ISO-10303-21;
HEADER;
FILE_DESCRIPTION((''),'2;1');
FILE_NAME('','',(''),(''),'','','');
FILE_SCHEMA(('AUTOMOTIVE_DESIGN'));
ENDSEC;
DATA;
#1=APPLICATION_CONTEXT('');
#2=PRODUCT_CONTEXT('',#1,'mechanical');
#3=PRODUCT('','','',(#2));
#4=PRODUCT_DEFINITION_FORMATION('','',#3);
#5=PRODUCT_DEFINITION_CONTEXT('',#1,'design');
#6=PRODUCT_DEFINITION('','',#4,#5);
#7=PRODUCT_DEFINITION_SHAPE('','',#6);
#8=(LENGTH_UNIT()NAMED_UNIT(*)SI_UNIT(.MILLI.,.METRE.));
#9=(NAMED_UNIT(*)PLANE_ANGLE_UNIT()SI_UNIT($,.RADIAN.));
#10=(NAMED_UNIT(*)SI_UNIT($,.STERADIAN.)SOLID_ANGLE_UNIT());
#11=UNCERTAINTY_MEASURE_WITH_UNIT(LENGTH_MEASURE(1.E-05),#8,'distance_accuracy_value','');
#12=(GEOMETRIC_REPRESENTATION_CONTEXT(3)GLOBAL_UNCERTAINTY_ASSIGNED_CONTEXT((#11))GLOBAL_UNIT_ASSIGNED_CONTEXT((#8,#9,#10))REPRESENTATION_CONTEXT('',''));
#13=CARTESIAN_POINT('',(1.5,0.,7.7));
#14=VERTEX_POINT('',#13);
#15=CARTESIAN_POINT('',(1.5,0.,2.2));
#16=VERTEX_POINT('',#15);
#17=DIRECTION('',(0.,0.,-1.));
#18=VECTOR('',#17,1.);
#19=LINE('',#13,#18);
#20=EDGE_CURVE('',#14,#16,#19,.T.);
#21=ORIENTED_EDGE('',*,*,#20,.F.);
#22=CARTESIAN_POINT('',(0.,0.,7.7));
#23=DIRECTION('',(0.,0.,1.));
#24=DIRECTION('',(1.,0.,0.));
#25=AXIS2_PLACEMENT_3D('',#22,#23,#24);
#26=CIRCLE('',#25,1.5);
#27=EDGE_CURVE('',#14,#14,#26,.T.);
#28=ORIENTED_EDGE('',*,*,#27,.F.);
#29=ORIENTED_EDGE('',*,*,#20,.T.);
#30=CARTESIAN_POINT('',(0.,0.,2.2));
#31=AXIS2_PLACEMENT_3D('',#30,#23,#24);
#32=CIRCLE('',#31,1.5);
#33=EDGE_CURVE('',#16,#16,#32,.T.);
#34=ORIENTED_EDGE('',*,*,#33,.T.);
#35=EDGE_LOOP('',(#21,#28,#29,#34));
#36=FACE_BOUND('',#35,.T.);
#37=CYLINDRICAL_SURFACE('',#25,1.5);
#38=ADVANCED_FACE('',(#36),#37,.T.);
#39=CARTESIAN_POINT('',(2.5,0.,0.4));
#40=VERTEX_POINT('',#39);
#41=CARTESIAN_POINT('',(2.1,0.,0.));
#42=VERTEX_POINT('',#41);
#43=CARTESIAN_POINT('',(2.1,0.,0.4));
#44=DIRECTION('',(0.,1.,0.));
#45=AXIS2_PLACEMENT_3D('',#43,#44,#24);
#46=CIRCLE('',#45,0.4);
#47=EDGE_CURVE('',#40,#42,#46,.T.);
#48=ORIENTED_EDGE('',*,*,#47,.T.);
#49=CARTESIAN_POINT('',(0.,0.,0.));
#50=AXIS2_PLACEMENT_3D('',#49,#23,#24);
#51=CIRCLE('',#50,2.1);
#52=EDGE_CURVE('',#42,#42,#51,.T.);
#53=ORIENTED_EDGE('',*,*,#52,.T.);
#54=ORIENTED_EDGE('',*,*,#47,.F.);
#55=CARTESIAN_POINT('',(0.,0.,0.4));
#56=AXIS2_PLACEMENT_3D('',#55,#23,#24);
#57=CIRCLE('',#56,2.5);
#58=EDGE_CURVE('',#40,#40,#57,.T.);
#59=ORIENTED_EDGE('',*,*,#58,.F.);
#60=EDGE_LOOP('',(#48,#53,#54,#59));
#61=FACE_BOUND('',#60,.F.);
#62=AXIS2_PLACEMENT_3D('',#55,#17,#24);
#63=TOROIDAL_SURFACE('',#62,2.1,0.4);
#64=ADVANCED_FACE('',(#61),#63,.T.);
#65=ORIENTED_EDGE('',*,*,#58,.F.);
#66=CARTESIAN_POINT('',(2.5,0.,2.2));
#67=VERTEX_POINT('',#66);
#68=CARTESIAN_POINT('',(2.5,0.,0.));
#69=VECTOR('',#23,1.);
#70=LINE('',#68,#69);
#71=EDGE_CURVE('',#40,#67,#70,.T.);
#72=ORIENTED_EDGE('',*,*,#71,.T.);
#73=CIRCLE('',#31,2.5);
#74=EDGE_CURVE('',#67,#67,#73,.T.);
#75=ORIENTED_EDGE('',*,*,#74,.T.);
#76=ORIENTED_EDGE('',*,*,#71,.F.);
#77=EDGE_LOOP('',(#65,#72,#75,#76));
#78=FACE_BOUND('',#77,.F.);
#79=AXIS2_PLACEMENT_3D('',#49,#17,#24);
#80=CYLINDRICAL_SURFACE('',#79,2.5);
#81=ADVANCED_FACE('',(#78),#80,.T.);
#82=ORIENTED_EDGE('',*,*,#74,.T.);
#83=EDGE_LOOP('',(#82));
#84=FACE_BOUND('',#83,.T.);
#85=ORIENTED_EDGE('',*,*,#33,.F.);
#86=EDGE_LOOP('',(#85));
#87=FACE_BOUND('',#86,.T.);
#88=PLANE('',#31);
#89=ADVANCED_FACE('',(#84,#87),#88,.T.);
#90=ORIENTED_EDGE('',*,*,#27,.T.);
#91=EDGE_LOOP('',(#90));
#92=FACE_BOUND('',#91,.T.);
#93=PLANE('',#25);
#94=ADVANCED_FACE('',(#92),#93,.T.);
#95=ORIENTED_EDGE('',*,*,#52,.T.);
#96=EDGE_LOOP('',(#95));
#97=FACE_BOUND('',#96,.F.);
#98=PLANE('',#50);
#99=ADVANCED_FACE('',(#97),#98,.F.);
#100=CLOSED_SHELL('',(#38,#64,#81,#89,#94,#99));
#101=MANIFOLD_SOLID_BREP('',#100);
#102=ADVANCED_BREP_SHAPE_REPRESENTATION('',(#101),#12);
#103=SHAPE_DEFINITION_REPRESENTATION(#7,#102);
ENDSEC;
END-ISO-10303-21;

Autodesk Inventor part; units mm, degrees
ref_plane "YZ Plane" through (0, 0, 0) normal (1, 0, 0) x (0, 1, 0)
ref_plane "XZ Plane" through (0, 0, 0) normal (0, 1, 0) x (-1, 0, 0)
ref_plane "XY Plane" through (0, 0, 0) normal (0, 0, 1) x (1, 0, 0)
sketch "Sketch1" plane through (0, 0, 0) normal (0, 0, 1) x (1, 0, 0)
  circle A0 centre (0, 0) radius 2.5
  dimension "d0" = 5
extrude "Extrusion1" add sketch "Sketch1" along normal blind 7.7
sketch "Sketch2" plane through (0, 0, 7.7) normal (0, 0, 1) x (1, 0, 0)
  circle A0 centre (0, 0) radius 1.5
  circle A1 centre (0, 0) radius 2.5
  dimension "d3" = 3
extrude "Extrusion2" cut sketch "Sketch2" against normal blind 5.5
fillet "Fillet1" radius 0.4 1 edges at (-2.5, 0, 0)
properties part number "MachineScrew3mm"
